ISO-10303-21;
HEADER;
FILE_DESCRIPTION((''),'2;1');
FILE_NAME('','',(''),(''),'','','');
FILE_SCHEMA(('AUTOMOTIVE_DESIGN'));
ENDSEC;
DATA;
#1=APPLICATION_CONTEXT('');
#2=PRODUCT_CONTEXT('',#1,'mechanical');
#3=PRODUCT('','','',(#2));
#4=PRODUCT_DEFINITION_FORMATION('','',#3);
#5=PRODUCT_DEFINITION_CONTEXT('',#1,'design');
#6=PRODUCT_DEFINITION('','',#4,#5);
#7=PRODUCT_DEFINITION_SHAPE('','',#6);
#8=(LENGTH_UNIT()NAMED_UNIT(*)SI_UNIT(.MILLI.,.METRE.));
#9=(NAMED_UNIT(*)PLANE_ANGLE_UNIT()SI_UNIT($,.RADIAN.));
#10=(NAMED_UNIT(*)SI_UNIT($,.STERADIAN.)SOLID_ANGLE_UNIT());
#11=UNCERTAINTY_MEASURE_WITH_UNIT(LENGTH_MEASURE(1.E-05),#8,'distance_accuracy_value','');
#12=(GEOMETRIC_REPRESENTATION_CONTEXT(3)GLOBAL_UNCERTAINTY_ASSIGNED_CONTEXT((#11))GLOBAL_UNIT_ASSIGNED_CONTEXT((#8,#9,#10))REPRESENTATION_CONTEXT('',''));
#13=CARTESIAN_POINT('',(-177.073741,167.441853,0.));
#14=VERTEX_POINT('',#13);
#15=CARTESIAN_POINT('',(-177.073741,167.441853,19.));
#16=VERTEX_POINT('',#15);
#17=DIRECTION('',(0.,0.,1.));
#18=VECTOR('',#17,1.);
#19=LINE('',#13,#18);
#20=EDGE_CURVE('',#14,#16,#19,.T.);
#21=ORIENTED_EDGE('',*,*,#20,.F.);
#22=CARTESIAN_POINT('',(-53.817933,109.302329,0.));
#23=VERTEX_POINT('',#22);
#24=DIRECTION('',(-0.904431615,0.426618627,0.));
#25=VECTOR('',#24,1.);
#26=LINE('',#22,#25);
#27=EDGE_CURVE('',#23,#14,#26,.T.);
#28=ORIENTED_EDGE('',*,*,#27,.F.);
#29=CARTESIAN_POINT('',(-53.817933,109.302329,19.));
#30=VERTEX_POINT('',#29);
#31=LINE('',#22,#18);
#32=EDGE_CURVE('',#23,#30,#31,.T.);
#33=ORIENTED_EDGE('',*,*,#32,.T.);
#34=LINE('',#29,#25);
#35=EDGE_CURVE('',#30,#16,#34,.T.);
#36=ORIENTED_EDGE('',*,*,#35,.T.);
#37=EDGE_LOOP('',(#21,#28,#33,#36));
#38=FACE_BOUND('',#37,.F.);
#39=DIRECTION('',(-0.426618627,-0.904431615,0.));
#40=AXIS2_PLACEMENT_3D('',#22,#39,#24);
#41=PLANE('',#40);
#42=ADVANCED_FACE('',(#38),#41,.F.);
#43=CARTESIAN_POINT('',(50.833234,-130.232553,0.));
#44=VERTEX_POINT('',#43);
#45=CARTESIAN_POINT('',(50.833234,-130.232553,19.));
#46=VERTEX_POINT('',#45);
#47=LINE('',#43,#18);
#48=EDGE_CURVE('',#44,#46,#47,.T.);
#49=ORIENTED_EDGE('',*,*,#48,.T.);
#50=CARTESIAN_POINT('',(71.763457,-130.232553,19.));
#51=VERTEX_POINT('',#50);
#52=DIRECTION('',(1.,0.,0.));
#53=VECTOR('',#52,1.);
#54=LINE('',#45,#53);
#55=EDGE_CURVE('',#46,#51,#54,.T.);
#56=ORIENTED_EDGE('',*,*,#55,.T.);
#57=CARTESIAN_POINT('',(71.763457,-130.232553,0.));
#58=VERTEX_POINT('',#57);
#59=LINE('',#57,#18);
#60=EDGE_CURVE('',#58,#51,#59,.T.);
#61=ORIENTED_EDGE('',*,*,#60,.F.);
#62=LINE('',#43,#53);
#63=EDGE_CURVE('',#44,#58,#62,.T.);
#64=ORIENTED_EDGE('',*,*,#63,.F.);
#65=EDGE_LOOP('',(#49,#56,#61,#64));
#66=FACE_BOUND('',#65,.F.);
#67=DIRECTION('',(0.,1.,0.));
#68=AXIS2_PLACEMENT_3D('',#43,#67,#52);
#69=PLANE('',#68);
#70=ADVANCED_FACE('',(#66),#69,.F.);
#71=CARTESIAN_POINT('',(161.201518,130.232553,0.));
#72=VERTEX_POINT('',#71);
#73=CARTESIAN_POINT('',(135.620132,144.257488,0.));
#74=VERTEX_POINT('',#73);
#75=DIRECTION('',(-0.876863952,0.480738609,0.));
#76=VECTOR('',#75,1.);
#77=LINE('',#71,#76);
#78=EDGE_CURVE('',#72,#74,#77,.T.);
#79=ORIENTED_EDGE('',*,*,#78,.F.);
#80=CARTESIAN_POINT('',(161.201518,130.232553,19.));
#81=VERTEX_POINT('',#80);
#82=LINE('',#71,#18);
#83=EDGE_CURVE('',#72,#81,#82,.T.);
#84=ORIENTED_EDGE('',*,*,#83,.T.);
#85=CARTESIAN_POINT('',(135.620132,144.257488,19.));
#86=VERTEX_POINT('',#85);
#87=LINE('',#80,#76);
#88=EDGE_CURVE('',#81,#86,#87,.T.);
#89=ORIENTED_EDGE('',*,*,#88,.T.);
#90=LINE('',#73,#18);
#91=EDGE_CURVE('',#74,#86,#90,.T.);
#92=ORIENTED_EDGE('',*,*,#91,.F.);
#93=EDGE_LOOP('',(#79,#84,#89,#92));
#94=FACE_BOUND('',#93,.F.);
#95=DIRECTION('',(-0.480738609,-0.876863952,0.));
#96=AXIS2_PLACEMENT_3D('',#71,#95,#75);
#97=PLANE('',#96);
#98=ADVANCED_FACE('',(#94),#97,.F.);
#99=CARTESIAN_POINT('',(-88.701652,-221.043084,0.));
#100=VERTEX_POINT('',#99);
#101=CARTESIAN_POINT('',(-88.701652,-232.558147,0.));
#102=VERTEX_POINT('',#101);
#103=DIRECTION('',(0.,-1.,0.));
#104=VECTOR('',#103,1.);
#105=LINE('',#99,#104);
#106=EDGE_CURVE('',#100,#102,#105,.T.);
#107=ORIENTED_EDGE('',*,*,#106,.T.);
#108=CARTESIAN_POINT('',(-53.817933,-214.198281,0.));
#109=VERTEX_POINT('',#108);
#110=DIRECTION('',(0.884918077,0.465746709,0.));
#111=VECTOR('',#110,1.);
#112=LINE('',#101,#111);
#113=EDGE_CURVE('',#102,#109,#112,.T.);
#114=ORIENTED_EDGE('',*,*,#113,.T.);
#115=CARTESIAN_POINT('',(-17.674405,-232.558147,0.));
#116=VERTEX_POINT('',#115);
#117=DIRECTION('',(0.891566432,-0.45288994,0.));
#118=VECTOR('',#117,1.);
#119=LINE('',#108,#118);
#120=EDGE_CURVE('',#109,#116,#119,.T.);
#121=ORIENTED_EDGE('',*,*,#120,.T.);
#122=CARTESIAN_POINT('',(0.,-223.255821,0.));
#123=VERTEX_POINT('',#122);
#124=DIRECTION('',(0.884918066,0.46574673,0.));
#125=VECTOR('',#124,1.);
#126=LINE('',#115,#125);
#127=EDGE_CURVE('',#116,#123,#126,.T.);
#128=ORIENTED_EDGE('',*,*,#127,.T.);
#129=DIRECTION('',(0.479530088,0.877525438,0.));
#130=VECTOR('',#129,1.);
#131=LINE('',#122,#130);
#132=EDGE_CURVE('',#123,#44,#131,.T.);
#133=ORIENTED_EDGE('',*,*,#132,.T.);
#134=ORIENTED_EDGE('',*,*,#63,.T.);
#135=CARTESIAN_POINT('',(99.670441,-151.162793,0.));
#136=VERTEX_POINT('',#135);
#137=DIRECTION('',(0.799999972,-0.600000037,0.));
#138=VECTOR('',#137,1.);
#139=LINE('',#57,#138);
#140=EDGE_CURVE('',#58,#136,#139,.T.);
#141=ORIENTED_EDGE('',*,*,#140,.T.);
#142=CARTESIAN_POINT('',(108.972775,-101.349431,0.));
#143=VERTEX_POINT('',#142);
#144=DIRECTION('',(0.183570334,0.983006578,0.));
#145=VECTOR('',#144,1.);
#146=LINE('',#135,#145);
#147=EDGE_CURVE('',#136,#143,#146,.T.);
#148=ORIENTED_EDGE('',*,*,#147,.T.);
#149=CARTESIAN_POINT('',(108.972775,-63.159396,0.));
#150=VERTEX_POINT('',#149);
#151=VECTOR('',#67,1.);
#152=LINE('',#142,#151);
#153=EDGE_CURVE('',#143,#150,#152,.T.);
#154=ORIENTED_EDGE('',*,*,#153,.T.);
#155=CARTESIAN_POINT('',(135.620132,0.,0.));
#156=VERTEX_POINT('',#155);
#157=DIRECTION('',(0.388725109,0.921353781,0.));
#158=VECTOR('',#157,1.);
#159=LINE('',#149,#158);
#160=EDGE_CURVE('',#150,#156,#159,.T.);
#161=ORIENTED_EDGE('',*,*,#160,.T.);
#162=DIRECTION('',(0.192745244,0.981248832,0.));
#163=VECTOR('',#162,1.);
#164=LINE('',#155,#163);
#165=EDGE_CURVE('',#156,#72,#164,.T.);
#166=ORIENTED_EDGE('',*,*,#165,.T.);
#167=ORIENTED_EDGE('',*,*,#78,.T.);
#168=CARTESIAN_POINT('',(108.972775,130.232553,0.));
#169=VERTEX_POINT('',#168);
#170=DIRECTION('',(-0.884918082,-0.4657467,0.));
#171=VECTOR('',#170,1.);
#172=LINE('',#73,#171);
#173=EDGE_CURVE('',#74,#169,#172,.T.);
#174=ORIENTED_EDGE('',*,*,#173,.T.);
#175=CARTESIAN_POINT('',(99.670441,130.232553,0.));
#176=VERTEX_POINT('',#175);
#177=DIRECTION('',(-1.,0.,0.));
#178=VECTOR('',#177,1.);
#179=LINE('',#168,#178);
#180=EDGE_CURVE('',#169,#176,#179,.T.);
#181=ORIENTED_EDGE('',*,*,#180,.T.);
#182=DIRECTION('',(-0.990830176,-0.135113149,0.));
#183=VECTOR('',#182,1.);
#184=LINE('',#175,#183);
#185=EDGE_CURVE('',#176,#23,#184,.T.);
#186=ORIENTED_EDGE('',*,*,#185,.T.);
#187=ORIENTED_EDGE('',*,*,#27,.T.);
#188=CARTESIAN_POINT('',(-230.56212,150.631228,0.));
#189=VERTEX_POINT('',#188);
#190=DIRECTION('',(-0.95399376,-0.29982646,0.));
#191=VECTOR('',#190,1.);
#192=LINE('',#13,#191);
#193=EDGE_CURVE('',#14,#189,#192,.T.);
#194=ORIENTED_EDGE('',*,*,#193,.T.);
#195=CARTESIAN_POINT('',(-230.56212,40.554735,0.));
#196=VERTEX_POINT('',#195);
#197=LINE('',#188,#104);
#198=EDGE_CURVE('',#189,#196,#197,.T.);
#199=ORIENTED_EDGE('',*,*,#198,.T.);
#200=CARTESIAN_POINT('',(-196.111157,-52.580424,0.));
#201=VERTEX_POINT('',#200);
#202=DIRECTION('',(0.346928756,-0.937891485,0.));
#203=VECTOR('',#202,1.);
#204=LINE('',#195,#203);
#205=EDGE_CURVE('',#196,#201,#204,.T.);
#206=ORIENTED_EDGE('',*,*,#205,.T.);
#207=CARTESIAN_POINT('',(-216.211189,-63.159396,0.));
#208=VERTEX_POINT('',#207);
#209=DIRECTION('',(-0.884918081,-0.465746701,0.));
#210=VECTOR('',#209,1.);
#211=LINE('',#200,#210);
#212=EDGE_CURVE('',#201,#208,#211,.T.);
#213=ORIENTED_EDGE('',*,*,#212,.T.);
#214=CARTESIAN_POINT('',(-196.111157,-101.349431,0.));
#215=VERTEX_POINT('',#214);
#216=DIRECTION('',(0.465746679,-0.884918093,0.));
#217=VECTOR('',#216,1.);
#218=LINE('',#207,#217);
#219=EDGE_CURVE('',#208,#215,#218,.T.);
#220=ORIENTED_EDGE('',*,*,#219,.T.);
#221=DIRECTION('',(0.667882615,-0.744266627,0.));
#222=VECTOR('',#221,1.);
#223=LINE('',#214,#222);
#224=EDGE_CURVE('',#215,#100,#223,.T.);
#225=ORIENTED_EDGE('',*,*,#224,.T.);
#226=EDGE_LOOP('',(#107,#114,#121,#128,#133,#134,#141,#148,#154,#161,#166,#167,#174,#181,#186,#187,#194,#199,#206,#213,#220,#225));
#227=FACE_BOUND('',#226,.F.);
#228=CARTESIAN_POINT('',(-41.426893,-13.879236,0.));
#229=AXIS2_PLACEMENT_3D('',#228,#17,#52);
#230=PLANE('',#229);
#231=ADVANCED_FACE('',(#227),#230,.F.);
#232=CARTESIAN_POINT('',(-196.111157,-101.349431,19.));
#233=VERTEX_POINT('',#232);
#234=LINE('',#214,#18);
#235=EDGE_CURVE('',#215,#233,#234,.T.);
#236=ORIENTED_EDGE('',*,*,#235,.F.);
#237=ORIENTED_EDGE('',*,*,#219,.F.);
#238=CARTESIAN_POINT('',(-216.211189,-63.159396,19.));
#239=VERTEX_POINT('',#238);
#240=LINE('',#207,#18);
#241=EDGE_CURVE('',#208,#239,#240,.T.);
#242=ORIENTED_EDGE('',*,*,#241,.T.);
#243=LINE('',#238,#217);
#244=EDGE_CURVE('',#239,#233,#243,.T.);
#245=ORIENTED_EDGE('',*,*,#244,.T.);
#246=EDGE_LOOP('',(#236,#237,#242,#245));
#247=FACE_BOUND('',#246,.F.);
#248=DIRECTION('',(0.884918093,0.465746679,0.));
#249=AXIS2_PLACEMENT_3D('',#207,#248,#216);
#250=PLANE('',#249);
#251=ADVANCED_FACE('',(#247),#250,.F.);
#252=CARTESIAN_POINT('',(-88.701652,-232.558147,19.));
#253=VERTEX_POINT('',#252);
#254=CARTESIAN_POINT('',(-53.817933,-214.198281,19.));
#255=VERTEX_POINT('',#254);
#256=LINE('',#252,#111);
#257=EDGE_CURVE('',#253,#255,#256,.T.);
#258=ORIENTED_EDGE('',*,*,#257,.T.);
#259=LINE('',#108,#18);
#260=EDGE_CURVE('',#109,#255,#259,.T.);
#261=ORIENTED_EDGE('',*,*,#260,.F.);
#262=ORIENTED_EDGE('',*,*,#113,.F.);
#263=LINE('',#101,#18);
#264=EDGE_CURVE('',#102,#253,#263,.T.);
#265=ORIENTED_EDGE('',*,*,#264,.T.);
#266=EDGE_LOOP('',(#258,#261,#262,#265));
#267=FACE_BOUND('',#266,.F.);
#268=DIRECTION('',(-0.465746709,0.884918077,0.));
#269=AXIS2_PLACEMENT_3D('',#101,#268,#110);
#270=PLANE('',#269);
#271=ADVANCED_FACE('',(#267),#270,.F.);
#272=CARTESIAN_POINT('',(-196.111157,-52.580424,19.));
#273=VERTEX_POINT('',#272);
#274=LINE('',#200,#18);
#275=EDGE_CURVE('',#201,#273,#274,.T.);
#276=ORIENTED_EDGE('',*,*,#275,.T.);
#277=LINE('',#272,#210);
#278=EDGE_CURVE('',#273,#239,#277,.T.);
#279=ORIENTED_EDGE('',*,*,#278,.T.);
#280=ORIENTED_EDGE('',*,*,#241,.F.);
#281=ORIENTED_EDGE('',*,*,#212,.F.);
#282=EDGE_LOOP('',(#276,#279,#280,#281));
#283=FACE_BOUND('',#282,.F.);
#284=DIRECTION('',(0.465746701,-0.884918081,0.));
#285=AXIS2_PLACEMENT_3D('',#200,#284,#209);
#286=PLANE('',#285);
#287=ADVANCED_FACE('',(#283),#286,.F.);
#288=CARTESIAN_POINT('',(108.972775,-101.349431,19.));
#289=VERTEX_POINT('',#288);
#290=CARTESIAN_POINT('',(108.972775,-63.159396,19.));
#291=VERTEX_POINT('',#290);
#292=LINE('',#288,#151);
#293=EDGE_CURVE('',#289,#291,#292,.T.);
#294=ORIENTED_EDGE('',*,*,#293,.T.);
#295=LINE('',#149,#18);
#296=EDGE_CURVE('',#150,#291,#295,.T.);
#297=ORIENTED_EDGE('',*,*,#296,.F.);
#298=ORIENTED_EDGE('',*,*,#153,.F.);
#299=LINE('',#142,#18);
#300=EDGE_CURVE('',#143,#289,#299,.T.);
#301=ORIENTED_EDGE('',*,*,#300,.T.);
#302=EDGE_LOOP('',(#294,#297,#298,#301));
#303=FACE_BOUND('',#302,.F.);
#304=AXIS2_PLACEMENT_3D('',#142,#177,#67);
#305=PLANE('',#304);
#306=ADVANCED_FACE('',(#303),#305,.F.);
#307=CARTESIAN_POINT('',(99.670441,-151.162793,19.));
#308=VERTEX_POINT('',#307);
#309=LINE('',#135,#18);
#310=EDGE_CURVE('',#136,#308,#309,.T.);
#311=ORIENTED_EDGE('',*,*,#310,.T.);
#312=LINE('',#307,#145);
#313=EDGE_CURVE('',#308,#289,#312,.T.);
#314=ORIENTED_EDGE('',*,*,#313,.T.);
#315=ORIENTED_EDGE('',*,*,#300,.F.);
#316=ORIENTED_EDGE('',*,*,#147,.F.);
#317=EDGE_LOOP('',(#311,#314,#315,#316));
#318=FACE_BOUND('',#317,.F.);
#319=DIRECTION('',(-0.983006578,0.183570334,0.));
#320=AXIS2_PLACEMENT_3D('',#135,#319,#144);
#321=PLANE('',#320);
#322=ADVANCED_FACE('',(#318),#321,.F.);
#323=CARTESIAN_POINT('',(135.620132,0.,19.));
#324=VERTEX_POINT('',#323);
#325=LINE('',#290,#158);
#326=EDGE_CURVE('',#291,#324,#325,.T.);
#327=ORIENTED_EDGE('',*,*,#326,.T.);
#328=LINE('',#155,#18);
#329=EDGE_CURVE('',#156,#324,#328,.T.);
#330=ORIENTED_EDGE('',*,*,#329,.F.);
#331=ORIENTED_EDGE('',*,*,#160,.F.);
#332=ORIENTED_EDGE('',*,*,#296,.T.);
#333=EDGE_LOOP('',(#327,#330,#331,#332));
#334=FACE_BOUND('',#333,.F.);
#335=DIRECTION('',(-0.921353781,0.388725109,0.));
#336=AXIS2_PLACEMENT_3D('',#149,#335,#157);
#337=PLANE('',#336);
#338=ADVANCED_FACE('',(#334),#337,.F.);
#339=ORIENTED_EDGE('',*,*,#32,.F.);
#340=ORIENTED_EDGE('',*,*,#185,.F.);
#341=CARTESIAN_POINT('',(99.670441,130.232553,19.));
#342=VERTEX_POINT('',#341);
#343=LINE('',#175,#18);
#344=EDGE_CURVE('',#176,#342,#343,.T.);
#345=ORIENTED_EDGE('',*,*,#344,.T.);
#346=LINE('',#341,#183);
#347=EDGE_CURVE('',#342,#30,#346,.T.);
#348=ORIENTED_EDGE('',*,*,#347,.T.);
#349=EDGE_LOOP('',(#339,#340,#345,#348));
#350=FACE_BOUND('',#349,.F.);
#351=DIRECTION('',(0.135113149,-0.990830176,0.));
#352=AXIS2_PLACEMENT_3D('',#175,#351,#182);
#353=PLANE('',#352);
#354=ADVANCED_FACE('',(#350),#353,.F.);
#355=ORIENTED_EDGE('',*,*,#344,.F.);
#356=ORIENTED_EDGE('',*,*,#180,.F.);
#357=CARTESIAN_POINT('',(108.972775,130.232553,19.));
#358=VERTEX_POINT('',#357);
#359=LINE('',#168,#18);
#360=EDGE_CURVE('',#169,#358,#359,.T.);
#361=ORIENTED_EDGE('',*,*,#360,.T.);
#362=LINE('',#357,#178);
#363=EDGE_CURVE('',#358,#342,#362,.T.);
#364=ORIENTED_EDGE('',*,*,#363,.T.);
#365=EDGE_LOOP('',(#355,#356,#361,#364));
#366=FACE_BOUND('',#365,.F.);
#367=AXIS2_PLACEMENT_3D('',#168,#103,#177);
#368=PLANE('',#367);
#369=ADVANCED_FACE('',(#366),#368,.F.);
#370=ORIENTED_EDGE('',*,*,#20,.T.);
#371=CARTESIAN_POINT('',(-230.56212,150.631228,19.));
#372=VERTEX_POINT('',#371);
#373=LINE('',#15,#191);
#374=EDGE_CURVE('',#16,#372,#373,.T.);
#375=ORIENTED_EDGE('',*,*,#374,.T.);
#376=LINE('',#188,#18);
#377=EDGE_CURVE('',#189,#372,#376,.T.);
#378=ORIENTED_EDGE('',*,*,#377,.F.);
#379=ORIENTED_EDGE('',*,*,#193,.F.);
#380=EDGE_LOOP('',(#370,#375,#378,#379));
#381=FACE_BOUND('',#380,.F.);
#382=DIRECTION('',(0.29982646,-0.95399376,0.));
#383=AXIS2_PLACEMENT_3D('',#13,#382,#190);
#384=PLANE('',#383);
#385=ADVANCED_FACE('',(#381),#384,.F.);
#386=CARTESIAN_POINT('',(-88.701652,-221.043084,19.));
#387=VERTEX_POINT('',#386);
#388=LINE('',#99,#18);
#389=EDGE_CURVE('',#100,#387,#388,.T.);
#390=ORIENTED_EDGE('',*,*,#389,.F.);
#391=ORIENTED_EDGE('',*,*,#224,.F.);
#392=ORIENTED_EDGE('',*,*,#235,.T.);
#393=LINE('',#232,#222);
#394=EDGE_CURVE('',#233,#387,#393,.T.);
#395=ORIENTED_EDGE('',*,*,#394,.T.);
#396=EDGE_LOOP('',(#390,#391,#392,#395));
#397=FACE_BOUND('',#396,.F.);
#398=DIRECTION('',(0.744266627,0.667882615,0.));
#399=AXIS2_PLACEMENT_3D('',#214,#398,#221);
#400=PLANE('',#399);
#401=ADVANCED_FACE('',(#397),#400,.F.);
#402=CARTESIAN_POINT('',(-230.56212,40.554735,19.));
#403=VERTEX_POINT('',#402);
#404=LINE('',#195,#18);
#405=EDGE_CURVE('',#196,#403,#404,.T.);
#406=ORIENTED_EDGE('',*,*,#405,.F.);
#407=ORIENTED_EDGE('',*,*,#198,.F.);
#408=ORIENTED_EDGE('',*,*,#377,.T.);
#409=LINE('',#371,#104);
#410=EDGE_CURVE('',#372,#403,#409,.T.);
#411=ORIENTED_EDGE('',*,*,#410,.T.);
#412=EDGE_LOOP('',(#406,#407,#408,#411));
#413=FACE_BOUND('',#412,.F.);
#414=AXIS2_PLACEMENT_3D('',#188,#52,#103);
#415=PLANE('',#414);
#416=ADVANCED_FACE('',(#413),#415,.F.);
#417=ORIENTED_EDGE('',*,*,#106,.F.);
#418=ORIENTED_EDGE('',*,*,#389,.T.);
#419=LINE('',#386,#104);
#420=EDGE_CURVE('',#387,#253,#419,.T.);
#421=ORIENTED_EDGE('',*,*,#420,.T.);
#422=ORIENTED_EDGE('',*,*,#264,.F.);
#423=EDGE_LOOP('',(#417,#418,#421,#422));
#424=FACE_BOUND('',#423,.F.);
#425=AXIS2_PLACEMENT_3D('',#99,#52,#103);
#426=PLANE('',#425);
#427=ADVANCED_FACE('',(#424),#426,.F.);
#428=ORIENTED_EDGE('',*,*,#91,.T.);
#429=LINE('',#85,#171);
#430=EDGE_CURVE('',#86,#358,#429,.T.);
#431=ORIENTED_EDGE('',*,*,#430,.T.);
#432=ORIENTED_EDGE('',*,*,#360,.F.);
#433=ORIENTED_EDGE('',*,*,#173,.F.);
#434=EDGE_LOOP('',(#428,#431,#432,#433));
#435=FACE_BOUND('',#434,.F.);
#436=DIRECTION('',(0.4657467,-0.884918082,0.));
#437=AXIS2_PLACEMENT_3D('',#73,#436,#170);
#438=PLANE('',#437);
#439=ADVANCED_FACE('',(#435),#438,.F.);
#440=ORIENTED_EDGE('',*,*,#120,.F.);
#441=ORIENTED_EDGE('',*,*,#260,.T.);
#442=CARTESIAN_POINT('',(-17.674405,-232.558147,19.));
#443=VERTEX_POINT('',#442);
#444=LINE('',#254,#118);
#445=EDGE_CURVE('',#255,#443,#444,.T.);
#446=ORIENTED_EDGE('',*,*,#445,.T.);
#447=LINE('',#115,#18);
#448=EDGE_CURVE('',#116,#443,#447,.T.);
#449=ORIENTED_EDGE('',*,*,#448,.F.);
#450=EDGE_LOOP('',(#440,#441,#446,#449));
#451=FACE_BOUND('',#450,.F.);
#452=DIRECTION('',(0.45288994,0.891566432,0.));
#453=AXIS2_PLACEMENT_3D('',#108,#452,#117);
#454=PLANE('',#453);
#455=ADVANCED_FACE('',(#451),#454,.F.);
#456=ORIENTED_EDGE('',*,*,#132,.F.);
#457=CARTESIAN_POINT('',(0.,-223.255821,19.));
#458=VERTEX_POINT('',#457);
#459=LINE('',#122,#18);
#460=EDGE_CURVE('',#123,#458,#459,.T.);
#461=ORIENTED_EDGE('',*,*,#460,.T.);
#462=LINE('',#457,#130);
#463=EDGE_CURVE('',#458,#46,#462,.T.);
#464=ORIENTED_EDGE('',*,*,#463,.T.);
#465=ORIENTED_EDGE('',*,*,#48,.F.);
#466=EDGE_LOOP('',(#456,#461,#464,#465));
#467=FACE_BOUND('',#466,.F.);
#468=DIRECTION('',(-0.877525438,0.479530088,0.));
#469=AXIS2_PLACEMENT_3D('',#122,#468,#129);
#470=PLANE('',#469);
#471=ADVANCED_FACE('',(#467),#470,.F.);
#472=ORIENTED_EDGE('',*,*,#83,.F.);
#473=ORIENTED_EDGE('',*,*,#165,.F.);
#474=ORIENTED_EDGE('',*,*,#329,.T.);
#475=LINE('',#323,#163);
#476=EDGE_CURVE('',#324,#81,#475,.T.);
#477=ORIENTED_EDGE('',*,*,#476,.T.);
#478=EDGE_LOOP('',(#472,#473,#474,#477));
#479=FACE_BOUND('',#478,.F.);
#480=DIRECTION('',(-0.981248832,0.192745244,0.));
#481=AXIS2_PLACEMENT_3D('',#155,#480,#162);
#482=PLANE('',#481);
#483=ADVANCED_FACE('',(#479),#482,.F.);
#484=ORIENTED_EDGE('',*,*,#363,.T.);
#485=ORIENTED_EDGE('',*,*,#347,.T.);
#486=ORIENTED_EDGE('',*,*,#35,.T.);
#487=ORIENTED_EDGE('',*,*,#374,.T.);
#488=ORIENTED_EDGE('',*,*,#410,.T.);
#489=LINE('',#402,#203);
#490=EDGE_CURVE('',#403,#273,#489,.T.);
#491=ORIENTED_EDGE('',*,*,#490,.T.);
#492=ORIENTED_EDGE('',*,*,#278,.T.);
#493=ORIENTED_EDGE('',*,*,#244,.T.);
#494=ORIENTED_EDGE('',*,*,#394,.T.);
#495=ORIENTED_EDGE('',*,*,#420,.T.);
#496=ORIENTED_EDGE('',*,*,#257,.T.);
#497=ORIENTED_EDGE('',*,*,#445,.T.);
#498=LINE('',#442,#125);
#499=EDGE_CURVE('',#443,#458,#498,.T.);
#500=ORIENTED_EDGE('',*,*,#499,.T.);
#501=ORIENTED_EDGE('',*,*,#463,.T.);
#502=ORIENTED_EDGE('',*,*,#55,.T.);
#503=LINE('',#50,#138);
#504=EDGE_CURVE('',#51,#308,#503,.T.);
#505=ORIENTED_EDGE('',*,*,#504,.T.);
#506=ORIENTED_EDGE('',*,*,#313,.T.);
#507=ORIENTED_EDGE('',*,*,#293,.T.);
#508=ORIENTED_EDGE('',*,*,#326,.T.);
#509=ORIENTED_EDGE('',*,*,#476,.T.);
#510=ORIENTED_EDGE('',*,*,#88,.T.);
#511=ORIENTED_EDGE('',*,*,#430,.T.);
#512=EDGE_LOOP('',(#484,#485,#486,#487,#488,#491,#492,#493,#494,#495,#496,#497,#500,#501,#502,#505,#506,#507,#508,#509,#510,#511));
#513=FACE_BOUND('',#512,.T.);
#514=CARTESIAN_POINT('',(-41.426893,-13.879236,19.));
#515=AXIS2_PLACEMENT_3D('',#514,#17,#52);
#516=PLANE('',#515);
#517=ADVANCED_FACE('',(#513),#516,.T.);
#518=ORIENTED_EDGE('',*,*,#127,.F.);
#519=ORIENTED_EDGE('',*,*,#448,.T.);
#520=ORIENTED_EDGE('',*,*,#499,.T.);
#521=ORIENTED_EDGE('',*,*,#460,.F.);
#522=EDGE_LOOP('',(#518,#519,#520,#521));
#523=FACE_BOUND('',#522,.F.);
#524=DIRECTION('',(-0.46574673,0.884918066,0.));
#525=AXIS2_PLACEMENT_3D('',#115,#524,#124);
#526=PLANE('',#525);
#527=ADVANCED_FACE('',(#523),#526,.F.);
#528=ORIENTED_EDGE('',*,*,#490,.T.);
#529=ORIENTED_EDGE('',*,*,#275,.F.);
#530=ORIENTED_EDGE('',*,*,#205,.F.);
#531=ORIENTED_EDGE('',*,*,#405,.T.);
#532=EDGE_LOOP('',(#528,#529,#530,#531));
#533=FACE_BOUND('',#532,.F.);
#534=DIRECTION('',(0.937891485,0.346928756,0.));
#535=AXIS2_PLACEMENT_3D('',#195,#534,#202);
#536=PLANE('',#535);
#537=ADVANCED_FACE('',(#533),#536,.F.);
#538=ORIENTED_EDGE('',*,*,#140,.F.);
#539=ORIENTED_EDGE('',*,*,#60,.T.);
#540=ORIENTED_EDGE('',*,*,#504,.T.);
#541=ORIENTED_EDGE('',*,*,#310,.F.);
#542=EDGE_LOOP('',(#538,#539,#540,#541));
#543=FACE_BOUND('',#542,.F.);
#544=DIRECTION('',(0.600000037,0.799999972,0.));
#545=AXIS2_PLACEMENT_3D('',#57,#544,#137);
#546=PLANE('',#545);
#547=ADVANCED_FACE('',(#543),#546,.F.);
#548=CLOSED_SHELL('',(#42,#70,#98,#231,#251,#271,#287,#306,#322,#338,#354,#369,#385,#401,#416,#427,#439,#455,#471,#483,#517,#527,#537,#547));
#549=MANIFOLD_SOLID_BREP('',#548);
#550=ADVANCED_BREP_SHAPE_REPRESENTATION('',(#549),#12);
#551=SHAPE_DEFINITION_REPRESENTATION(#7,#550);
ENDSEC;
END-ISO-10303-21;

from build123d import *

# Parameters (mm, degrees)
F1_DEPTH = 19


with BuildPart() as f1:
    # F0 (on Top) → F1 (new body)
    with BuildSketch(Plane.XY):
        Polygon((-53.817933, 109.302329), (-177.073741, 167.441853), (-230.56212, 150.631228), (-230.56212, 40.554735), (-196.111157, -52.580424), (-216.211189, -63.159396), (-196.111157, -101.349431), (-88.701652, -221.043084), (-88.701652, -232.558147), (-53.817933, -214.198281), (-17.674405, -232.558147), (0, -223.255821), (50.833234, -130.232553), (71.763457, -130.232553), (99.670441, -151.162793), (108.972775, -101.349431), (108.972775, -63.159396), (135.620132, 0), (161.201518, 130.232553), (135.620132, 144.257488), (108.972775, 130.232553), (99.670441, 130.232553), align=None)
    extrude(amount=F1_DEPTH)


solid = f1.part
